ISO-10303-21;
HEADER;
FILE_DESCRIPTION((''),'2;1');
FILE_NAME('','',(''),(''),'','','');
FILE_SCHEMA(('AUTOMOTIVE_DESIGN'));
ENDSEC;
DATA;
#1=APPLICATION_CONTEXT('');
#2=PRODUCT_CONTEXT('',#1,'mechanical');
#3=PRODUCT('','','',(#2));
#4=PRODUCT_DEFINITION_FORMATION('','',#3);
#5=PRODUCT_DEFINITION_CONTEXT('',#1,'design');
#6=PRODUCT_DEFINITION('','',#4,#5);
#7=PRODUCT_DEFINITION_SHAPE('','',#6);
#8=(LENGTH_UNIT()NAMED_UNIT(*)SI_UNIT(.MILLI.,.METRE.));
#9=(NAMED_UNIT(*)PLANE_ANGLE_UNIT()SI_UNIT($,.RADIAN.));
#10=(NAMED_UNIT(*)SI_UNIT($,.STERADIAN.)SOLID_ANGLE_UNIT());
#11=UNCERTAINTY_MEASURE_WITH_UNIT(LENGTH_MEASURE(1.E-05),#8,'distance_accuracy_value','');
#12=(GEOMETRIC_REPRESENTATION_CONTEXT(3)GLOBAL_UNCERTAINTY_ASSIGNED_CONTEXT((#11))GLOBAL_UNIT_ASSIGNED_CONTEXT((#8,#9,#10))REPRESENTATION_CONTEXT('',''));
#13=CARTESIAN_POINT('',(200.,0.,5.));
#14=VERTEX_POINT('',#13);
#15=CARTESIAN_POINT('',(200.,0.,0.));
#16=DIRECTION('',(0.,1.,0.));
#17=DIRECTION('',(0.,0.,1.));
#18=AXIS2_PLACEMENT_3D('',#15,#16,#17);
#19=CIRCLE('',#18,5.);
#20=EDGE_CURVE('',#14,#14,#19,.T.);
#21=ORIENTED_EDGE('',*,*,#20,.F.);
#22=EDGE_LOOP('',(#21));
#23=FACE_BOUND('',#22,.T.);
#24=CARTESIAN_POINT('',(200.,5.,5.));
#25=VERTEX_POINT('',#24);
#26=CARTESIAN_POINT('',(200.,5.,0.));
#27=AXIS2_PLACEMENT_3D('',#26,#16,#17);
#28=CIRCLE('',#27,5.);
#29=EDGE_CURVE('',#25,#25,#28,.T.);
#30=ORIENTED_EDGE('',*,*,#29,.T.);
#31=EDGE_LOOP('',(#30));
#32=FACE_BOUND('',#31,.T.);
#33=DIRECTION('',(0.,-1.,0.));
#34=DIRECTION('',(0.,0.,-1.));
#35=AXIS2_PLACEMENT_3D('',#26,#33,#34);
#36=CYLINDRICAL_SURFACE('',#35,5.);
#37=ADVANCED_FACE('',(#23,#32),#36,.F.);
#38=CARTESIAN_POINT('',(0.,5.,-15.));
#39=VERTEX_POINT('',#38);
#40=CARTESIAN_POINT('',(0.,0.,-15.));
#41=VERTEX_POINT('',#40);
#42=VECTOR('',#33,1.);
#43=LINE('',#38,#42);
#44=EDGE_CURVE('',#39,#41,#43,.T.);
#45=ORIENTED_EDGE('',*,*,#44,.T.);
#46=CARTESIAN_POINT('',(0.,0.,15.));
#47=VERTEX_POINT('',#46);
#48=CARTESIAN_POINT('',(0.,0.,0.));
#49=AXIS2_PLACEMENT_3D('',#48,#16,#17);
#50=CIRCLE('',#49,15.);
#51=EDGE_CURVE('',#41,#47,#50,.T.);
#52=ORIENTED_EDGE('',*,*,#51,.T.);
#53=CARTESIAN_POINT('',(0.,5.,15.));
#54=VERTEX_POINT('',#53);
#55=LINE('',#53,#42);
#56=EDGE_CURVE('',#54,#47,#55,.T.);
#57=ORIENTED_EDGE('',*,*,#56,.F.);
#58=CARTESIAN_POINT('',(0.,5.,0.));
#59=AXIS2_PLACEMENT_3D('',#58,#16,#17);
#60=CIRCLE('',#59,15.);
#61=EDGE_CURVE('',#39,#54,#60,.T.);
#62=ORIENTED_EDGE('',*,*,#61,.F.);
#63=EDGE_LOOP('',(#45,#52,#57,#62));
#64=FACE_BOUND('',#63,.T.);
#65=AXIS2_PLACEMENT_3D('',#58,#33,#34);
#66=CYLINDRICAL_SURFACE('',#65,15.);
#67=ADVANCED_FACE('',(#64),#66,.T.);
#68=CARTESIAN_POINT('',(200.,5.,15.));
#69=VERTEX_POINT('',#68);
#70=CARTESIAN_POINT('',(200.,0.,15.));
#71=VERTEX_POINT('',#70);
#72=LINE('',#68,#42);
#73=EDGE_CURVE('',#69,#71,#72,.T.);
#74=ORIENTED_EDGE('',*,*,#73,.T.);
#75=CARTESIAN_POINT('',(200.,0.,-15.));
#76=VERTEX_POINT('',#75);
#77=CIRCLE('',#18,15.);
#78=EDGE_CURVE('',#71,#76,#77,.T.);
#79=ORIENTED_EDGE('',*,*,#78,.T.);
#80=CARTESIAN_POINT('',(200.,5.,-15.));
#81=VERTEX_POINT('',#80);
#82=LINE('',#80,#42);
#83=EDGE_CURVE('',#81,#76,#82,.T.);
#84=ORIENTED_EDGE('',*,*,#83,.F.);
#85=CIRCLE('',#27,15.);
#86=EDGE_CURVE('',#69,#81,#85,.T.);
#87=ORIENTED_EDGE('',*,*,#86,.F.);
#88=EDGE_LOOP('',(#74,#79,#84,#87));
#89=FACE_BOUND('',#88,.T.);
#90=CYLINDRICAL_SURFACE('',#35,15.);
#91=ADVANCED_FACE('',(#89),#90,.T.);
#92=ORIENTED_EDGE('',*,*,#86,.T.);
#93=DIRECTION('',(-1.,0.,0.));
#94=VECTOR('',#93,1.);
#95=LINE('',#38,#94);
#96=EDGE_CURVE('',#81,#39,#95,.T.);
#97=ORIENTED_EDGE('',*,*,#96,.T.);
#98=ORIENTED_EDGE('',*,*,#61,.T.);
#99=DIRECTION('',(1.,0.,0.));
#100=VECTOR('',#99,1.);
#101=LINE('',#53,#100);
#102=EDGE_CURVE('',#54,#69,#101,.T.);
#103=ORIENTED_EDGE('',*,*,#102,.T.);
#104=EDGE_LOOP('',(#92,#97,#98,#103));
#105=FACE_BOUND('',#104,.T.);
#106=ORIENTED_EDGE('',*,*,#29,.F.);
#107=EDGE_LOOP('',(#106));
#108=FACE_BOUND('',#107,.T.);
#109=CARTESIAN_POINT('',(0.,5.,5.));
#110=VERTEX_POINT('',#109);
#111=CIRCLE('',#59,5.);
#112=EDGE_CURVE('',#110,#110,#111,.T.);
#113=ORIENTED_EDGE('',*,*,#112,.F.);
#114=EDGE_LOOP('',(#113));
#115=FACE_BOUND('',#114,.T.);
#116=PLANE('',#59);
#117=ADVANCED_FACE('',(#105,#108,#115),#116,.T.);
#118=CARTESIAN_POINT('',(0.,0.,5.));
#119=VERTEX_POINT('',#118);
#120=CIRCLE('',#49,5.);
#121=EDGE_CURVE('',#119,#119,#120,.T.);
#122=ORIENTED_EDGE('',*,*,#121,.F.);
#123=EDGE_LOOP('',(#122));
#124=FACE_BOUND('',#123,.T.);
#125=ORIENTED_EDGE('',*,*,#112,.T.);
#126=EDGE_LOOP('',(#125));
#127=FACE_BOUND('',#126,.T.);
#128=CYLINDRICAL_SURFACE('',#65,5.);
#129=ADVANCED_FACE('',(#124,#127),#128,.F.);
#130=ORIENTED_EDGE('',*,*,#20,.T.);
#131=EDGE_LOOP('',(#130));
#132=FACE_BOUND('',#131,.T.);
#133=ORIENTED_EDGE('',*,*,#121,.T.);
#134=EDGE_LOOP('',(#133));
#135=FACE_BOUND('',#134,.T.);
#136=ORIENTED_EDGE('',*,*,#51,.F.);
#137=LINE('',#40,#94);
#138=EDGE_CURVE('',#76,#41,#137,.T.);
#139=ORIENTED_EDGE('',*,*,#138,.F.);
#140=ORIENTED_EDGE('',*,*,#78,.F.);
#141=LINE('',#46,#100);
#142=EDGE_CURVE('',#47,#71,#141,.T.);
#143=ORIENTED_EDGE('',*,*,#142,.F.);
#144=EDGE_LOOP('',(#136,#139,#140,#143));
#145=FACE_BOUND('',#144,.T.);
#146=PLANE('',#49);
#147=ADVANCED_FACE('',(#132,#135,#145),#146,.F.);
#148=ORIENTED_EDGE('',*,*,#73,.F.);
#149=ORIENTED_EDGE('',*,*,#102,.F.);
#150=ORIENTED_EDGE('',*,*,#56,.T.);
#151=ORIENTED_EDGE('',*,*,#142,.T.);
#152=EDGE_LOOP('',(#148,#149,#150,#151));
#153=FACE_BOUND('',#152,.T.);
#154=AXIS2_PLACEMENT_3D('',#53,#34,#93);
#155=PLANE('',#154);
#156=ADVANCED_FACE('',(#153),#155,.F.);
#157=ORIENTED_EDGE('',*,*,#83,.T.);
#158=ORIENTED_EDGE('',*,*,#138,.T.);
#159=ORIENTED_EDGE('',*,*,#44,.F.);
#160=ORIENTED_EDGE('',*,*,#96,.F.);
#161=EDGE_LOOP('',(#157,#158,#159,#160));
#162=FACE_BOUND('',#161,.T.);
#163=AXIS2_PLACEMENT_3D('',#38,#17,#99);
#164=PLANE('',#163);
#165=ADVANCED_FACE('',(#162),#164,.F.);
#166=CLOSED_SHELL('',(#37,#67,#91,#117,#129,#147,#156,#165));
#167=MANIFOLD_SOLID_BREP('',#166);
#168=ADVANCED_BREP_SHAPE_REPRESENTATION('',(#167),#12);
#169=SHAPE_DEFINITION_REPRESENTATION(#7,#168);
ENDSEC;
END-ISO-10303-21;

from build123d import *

# Parameters (mm, degrees)
SKETCH_1_R      = 5
EXTRUDE_1_DEPTH = 5


with BuildPart() as part:
    # 草图1 → 凸台-拉伸1 (new body)
    with BuildSketch(Plane(origin=(0, 0, 0), x_dir=(1, 0, 0), z_dir=(0, 1, 0))):
        with BuildLine():
            Line((0, 15), (200, 15))
            ThreePointArc((200, 15), (215, 0), (200, -15))
            Line((200, -15), (0, -15))
            ThreePointArc((0, -15), (-15, 0), (0, 15))
        make_face()
        Circle(SKETCH_1_R, mode=Mode.SUBTRACT)
        with Locations((200, 0)):
            Circle(SKETCH_1_R, mode=Mode.SUBTRACT)
    extrude(amount=EXTRUDE_1_DEPTH)


solid = part.part
